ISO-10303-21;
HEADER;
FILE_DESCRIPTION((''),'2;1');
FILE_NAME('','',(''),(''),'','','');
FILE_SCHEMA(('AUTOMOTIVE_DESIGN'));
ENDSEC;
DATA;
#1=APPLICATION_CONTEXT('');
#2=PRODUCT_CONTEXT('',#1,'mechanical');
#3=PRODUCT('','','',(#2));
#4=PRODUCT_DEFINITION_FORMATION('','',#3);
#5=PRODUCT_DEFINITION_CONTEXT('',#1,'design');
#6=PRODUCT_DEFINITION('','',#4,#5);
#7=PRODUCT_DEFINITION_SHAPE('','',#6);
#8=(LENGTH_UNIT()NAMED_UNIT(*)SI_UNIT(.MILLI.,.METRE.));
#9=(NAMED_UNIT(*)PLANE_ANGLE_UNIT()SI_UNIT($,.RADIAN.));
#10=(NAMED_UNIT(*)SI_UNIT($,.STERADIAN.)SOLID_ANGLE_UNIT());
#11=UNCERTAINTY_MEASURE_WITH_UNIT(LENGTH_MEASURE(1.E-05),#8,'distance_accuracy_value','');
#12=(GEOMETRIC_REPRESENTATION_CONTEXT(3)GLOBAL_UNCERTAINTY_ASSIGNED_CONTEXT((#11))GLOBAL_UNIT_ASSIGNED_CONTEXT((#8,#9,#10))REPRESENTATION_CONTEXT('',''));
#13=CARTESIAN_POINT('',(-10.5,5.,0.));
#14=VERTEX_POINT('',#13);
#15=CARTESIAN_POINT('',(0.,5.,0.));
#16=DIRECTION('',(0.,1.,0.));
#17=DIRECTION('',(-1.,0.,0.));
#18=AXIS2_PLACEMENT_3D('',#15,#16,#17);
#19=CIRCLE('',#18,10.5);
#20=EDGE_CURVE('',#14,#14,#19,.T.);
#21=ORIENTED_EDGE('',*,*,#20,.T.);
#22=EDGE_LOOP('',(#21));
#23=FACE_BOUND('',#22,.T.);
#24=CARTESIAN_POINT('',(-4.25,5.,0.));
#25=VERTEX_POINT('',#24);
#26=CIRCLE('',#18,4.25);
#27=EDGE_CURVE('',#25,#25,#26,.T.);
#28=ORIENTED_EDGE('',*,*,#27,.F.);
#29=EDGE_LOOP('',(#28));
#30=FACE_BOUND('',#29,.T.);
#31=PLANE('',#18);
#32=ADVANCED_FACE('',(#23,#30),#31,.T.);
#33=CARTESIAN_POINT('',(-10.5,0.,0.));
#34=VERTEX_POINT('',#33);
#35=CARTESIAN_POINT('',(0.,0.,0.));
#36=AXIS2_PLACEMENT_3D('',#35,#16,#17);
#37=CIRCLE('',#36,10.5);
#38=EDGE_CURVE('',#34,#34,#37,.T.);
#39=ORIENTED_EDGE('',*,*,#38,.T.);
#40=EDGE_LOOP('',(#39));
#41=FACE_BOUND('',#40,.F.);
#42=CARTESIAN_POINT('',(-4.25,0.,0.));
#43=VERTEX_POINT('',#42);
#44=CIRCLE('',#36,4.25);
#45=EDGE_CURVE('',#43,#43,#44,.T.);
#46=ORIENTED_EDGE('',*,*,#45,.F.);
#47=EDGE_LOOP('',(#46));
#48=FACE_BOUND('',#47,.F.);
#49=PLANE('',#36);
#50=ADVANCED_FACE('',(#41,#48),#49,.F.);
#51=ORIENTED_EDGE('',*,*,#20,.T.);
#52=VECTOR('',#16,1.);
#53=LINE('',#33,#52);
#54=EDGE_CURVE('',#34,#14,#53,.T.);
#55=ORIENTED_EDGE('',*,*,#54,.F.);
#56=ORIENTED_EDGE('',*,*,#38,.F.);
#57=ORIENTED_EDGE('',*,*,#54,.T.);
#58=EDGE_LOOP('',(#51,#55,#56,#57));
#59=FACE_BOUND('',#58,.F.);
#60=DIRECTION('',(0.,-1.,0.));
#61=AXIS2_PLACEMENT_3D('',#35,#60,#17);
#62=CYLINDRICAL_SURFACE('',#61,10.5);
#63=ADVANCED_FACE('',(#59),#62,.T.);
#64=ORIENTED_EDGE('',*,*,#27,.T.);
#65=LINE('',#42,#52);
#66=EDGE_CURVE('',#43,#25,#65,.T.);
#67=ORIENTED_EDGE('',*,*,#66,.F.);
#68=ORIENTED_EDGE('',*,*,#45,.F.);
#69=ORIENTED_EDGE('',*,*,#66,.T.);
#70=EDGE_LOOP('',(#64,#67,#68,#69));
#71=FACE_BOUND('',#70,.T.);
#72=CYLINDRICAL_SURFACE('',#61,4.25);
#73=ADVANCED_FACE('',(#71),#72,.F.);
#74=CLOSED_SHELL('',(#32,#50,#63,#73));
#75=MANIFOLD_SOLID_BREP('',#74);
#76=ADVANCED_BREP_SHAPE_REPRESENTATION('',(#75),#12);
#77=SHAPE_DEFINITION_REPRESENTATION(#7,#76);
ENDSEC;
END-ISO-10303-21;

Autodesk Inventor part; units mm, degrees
ref_plane "YZ Plane" through (0, 0, 0) normal (1, 0, 0) x (0, 1, 0)
ref_plane "XZ Plane" through (0, 0, 0) normal (0, 1, 0) x (-1, 0, 0)
ref_plane "XY Plane" through (0, 0, 0) normal (0, 0, 1) x (1, 0, 0)
sketch "スケッチ1" plane through (0, 0, 0) normal (0, 1, 0) x (-1, 0, 0)
  circle A0 centre (0, 0) radius 4.25
  circle A1 centre (0, 0) radius 10.5
  dimension "d0" = 8.5
  dimension "d1" = 21
extrude "押し出し1" add sketch "スケッチ1" along normal blind 5
properties part number "elbow_upperplate_left_spacer"
